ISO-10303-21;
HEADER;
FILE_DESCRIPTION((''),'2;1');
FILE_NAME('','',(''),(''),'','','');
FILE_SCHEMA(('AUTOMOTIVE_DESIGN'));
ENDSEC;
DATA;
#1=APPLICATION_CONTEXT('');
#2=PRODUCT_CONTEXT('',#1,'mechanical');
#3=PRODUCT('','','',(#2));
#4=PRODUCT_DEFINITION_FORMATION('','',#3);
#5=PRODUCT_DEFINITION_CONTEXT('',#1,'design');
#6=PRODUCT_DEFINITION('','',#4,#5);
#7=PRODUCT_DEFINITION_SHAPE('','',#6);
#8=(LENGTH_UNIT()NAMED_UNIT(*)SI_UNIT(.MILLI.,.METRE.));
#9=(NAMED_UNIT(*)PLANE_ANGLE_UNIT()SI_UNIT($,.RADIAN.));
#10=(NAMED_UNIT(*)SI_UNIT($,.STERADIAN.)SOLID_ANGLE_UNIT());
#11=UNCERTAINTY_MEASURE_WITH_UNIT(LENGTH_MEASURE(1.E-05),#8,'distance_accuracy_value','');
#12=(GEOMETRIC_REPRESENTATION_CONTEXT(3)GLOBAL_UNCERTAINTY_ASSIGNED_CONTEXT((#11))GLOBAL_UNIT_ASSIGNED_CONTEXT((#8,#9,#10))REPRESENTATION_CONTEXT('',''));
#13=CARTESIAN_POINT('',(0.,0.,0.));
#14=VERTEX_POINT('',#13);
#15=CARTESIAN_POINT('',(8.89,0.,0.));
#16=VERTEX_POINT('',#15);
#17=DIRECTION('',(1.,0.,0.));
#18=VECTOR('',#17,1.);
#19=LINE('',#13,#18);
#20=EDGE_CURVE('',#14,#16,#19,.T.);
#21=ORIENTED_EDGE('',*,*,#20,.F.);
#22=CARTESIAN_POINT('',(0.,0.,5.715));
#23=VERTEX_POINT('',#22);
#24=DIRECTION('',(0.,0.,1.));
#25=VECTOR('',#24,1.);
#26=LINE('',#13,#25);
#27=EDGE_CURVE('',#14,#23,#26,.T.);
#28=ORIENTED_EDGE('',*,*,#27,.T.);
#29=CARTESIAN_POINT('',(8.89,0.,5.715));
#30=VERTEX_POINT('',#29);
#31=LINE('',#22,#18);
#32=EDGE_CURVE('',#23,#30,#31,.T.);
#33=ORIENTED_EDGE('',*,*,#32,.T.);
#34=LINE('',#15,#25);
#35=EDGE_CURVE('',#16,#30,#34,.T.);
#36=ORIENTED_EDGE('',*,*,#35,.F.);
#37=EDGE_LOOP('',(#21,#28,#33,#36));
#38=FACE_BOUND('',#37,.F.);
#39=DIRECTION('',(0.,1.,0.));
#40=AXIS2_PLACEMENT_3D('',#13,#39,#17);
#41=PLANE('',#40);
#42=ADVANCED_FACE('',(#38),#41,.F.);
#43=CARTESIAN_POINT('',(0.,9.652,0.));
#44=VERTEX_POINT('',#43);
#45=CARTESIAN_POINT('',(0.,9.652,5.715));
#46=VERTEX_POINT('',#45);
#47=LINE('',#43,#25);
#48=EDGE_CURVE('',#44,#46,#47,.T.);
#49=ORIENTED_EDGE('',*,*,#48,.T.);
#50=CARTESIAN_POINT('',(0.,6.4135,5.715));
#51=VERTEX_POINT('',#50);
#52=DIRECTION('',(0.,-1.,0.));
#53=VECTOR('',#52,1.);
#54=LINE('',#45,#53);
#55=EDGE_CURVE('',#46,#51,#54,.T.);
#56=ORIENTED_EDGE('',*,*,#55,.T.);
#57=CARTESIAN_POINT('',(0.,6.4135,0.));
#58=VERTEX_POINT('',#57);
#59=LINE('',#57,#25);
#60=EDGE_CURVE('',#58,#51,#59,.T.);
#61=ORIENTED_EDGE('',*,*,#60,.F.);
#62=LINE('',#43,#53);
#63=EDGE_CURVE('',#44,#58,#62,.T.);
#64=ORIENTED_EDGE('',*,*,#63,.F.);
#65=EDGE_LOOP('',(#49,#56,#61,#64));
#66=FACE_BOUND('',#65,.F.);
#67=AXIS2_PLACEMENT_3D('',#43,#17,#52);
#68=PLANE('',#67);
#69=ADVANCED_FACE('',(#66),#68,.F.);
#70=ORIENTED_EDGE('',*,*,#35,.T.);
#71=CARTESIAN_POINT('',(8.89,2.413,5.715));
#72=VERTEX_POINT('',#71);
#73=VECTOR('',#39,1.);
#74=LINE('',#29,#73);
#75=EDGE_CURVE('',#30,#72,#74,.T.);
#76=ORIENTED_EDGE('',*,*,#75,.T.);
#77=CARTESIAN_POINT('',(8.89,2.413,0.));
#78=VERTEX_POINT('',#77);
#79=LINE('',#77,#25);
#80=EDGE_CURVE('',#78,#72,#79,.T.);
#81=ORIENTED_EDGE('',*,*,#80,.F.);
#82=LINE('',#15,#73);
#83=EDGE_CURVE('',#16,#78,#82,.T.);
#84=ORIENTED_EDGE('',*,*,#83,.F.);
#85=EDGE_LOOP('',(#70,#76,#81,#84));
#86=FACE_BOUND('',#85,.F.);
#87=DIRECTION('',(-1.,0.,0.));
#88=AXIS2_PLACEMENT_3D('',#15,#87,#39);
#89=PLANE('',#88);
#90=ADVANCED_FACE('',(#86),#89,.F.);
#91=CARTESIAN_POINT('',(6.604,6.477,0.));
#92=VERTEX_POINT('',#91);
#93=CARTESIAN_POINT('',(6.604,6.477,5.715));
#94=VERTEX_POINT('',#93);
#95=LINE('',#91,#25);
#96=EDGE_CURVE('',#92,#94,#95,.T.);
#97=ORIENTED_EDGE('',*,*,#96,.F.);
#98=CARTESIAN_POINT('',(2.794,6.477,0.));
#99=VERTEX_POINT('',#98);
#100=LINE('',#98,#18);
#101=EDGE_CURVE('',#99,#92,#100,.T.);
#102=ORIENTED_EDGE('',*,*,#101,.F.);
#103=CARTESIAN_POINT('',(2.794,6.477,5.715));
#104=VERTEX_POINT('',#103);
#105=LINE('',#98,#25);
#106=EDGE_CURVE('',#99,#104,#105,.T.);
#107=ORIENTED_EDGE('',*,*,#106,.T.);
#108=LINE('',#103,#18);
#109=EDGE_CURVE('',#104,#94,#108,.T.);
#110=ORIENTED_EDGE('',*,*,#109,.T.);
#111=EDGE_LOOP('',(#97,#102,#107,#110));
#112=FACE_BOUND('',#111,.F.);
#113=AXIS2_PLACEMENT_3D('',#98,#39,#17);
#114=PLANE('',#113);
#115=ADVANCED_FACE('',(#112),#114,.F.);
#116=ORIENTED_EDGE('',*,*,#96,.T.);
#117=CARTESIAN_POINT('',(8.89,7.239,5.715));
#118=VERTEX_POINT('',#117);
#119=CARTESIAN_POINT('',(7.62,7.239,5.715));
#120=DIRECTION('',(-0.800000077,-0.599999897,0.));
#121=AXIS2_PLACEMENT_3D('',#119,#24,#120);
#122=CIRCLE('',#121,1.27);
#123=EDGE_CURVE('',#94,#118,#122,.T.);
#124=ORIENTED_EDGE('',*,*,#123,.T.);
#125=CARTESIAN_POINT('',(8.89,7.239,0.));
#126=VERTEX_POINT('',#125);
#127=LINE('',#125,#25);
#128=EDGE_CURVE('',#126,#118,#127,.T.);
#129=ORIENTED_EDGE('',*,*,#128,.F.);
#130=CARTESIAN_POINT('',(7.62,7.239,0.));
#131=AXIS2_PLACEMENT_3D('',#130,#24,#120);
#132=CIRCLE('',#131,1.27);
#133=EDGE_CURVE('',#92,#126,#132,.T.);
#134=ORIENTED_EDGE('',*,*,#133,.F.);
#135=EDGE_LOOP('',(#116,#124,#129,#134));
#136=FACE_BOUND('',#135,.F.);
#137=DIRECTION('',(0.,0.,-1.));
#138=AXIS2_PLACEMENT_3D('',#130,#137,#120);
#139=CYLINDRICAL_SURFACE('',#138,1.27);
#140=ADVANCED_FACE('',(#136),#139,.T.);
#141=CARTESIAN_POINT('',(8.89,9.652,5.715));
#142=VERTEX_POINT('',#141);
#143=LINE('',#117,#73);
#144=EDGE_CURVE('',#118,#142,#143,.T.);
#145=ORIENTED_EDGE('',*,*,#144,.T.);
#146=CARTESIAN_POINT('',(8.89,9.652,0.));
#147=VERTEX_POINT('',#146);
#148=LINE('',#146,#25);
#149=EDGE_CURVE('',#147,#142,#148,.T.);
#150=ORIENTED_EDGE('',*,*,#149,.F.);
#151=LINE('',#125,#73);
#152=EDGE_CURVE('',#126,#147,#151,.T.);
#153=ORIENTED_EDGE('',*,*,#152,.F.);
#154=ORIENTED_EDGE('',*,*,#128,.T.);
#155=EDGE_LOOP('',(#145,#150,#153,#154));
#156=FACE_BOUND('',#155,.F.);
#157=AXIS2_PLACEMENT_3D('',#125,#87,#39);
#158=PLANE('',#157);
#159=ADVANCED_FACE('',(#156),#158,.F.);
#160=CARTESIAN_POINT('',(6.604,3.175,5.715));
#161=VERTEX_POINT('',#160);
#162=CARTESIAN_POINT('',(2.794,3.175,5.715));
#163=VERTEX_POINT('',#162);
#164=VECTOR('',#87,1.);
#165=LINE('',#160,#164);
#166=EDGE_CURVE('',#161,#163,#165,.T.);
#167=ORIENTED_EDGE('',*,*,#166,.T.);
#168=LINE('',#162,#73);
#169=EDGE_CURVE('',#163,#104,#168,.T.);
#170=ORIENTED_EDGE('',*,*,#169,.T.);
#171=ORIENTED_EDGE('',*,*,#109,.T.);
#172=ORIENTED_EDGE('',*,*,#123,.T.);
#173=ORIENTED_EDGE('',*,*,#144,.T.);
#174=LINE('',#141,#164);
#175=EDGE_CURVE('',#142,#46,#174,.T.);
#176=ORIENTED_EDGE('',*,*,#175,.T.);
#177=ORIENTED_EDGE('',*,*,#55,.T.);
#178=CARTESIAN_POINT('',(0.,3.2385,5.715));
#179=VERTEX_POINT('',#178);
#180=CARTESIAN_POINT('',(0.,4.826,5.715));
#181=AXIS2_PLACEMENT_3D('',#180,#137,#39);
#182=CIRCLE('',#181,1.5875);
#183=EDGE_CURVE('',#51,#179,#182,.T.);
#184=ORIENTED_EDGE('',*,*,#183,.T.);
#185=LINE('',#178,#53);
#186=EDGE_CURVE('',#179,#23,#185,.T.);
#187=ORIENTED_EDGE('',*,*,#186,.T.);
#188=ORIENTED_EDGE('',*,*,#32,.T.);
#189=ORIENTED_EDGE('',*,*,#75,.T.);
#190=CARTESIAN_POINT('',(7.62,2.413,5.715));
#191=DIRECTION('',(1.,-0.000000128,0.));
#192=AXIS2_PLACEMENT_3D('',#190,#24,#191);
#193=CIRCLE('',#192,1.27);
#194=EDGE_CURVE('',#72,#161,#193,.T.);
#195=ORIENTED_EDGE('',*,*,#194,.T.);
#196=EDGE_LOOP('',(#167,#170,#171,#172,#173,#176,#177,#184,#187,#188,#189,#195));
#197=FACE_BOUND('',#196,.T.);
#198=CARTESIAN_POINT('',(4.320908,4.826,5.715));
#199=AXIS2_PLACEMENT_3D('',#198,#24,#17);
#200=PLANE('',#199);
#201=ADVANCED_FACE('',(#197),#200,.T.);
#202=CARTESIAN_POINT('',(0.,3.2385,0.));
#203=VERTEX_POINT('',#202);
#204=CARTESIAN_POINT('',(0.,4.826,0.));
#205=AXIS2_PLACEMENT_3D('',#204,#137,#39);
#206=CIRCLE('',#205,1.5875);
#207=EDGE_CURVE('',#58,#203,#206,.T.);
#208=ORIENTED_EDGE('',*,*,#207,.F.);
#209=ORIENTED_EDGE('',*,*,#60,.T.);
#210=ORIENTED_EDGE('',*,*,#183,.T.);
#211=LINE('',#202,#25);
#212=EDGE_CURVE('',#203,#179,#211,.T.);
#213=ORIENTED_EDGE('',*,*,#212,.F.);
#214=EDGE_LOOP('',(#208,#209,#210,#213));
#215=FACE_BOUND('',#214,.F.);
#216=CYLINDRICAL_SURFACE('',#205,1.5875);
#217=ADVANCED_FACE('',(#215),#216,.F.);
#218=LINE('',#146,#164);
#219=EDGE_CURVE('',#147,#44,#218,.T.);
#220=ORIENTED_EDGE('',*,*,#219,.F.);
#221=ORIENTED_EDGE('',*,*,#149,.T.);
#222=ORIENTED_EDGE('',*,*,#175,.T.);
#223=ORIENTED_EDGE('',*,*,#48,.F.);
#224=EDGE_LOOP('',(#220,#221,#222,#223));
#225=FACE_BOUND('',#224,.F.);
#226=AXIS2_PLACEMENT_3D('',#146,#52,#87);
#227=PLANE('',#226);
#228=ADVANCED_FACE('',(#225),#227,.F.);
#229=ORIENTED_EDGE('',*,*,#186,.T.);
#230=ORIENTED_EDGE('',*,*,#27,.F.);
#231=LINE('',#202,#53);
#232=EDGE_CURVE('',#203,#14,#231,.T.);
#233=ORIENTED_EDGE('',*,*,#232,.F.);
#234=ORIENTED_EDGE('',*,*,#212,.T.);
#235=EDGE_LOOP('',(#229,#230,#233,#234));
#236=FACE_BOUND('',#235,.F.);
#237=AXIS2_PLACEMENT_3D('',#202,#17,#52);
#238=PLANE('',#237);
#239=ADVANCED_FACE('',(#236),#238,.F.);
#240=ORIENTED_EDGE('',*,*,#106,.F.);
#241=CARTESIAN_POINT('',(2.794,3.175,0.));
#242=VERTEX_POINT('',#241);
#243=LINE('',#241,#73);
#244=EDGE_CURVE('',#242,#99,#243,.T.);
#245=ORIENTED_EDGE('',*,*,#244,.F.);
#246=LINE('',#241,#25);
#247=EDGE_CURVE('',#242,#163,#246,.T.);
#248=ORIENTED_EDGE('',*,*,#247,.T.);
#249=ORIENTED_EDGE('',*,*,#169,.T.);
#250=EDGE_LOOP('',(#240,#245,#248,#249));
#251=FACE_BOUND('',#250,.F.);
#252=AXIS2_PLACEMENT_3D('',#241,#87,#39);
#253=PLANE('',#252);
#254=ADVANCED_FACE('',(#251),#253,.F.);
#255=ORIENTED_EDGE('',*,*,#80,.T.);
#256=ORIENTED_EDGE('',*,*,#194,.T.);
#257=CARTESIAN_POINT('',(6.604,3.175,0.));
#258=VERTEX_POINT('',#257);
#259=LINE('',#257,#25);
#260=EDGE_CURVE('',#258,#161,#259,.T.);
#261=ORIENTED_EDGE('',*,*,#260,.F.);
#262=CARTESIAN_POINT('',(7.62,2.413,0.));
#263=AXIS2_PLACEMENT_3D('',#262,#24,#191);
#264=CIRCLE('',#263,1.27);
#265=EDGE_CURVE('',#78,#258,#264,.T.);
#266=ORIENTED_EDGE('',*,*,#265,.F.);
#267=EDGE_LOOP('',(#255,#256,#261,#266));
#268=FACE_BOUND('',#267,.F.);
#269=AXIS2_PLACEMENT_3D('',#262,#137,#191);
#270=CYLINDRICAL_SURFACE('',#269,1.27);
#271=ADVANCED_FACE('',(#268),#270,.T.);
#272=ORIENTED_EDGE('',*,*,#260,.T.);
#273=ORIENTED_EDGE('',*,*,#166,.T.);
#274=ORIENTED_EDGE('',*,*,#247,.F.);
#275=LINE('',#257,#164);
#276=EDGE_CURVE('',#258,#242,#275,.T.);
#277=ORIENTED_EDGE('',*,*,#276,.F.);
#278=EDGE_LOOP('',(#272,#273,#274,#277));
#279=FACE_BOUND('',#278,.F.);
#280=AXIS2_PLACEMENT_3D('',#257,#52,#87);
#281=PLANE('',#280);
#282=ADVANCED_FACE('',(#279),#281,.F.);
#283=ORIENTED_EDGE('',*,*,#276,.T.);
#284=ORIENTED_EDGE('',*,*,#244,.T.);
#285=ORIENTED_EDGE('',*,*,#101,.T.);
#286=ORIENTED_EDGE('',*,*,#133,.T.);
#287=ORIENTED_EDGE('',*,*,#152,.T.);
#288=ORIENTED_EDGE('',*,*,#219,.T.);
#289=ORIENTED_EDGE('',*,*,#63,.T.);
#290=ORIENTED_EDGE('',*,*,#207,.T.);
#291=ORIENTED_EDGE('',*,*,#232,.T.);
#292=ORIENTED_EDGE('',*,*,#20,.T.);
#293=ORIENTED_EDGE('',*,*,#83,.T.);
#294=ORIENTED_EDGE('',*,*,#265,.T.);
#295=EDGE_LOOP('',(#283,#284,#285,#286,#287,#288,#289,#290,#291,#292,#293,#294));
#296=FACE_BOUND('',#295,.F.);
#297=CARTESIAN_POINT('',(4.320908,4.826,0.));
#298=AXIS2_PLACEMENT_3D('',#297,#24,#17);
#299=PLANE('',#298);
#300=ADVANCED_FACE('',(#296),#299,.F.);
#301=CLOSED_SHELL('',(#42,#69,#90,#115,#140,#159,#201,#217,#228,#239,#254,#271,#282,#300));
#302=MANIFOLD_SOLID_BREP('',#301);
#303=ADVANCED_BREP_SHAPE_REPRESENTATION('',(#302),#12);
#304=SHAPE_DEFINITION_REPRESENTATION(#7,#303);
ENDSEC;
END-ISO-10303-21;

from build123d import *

# Parameters (mm, degrees)
F1_DEPTH = 5.715


with BuildPart() as f1:
    # F0 (on Top) → F1 (new body)
    with BuildSketch(Plane.XY):
        with BuildLine():
            Line((8.89, 9.652), (0, 9.652))
            Line((0, 9.652), (0, 6.4135))
            ThreePointArc((0, 6.4135), (1.5875, 4.826), (0, 3.2385))
            Line((0, 3.2385), (0, 0))
            Line((0, 0), (8.89, 0))
            Line((8.89, 0), (8.89, 2.413))
            ThreePointArc((8.89, 2.413), (8.021609, 3.617828), (6.604, 3.175))
            Line((6.604, 3.175), (2.794, 3.175))
            Line((2.794, 3.175), (2.794, 6.477))
            Line((2.794, 6.477), (6.604, 6.477))
            ThreePointArc((6.604, 6.477), (8.021609, 6.034172), (8.89, 7.239))
            Line((8.89, 7.239), (8.89, 9.652))
        make_face()
    extrude(amount=F1_DEPTH)


solid = f1.part
